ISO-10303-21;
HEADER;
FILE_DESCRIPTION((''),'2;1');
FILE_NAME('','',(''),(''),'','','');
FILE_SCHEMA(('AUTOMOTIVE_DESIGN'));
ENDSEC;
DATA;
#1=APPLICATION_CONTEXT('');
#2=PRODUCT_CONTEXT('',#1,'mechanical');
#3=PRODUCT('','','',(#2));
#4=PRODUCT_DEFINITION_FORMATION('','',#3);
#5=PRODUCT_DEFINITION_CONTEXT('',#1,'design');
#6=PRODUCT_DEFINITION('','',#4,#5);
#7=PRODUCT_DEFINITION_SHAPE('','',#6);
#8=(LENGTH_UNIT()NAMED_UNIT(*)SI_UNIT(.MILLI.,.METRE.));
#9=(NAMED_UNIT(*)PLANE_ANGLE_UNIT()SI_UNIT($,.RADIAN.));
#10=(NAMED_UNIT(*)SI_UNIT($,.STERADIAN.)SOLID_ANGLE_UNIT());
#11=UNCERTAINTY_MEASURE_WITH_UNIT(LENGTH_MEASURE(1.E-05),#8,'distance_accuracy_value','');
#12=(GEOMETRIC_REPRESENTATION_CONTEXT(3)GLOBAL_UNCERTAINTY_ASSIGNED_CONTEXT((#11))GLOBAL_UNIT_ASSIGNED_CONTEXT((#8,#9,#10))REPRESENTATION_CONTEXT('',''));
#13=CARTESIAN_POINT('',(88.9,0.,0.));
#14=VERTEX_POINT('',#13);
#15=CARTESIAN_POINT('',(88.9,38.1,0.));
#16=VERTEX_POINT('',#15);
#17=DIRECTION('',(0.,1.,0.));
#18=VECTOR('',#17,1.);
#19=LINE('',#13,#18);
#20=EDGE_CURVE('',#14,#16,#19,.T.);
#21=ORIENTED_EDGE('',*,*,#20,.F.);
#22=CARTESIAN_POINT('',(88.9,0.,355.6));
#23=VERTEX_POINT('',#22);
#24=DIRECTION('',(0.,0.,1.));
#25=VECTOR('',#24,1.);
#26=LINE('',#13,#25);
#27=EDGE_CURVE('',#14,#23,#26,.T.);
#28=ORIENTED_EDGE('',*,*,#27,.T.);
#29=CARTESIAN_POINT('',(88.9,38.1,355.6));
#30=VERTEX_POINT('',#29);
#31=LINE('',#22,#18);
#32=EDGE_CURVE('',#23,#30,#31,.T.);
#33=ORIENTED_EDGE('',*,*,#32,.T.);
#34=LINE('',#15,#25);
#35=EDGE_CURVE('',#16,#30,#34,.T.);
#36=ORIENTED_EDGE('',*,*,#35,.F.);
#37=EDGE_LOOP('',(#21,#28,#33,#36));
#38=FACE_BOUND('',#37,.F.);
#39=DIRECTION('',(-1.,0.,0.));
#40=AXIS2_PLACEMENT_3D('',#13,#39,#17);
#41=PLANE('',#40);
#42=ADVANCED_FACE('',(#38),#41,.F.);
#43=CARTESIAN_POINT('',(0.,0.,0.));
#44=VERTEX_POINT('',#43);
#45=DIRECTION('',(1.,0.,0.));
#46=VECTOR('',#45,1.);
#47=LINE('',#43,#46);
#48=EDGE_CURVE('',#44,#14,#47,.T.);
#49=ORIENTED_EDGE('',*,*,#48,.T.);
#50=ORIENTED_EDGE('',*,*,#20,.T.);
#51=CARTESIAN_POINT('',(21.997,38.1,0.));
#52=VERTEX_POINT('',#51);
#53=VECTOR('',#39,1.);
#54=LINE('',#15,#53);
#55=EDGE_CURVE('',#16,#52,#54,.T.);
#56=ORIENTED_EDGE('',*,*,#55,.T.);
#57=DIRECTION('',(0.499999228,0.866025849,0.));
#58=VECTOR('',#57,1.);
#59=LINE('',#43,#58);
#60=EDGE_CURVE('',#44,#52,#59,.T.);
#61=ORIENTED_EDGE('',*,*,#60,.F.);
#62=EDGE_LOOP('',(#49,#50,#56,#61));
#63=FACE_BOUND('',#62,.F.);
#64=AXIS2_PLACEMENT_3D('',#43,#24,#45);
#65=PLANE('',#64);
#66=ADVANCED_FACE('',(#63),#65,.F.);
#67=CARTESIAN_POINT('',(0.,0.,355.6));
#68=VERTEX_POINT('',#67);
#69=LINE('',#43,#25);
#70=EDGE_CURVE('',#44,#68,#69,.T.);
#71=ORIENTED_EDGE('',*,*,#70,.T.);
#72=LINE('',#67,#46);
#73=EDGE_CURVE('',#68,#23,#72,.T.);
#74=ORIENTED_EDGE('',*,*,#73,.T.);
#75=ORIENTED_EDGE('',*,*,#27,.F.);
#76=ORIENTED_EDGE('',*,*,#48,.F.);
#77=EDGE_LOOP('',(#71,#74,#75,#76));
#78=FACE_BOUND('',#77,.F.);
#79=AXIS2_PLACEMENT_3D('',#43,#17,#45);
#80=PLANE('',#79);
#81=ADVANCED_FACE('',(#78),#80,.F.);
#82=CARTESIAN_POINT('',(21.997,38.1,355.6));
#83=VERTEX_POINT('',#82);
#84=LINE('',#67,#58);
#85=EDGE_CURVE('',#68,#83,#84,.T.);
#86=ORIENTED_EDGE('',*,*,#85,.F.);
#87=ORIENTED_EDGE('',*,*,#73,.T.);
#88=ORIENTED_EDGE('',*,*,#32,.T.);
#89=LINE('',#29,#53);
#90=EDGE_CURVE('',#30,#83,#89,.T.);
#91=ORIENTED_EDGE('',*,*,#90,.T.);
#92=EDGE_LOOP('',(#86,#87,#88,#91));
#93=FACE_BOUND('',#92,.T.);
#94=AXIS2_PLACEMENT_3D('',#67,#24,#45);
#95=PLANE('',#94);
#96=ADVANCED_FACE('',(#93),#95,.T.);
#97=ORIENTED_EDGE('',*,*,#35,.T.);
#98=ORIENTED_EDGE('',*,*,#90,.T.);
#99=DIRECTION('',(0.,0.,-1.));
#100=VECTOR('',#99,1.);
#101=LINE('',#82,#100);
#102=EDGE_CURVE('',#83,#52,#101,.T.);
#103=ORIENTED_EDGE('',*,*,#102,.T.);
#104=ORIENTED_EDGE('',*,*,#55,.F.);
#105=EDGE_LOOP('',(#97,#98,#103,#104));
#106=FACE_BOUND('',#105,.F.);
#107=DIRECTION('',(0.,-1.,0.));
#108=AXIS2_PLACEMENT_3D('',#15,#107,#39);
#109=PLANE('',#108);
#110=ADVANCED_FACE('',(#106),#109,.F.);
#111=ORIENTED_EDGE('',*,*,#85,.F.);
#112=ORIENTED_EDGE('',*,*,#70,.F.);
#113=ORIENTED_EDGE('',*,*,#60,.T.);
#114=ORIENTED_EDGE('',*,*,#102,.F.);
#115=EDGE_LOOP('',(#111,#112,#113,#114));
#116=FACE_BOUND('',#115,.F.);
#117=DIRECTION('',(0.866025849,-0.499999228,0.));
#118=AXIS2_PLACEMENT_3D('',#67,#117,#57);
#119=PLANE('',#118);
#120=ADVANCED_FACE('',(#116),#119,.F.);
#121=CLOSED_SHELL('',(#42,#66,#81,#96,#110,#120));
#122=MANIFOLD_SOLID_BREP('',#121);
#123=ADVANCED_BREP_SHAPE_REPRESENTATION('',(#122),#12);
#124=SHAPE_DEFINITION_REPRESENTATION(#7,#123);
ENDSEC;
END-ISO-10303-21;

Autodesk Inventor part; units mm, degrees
ref_plane "YZ Plane" through (0, 0, 0) normal (1, 0, 0) x (0, 1, 0)
ref_plane "XZ Plane" through (0, 0, 0) normal (0, 1, 0) x (-1, 0, 0)
ref_plane "XY Plane" through (0, 0, 0) normal (0, 0, 1) x (1, 0, 0)
sketch "Sketch1" plane through (0, 0, 0) normal (0, 0, 1) x (1, 0, 0)
  line L0 (0, 0) -> (88.9, 0)
  line L1 (88.9, 0) -> (88.9, 38.1)
  line L2 (88.9, 38.1) -> (0, 38.1)
  line L3 (0, 38.1) -> (0, 0)
  dimension "d0" = 88.9
  dimension "d1" = 38.1
extrude "Extrusion1" add sketch "Sketch1" along normal blind 355.6
sketch "Sketch2" plane through (0, 0, 355.6) normal (0, 0, 1) x (1, 0, 0)
  line L0 (0, 0) -> (88.9, 0) projected
  line L1 (0, 0) -> (21.997, 38.1)
  line L2 (88.9, 38.1) -> (0, 38.1) projected
  line L3 (21.997, 38.1) -> (0, 38.1)
  line L4 (0, 38.1) -> (0, 0) projected
  line L5 (0, 0) -> (0, 38.1)
  dimension "d4" = 30
extrude "Extrusion2" cut sketch "Sketch2" against normal through all
properties part number "BO01" material "Wood (Oak)"
